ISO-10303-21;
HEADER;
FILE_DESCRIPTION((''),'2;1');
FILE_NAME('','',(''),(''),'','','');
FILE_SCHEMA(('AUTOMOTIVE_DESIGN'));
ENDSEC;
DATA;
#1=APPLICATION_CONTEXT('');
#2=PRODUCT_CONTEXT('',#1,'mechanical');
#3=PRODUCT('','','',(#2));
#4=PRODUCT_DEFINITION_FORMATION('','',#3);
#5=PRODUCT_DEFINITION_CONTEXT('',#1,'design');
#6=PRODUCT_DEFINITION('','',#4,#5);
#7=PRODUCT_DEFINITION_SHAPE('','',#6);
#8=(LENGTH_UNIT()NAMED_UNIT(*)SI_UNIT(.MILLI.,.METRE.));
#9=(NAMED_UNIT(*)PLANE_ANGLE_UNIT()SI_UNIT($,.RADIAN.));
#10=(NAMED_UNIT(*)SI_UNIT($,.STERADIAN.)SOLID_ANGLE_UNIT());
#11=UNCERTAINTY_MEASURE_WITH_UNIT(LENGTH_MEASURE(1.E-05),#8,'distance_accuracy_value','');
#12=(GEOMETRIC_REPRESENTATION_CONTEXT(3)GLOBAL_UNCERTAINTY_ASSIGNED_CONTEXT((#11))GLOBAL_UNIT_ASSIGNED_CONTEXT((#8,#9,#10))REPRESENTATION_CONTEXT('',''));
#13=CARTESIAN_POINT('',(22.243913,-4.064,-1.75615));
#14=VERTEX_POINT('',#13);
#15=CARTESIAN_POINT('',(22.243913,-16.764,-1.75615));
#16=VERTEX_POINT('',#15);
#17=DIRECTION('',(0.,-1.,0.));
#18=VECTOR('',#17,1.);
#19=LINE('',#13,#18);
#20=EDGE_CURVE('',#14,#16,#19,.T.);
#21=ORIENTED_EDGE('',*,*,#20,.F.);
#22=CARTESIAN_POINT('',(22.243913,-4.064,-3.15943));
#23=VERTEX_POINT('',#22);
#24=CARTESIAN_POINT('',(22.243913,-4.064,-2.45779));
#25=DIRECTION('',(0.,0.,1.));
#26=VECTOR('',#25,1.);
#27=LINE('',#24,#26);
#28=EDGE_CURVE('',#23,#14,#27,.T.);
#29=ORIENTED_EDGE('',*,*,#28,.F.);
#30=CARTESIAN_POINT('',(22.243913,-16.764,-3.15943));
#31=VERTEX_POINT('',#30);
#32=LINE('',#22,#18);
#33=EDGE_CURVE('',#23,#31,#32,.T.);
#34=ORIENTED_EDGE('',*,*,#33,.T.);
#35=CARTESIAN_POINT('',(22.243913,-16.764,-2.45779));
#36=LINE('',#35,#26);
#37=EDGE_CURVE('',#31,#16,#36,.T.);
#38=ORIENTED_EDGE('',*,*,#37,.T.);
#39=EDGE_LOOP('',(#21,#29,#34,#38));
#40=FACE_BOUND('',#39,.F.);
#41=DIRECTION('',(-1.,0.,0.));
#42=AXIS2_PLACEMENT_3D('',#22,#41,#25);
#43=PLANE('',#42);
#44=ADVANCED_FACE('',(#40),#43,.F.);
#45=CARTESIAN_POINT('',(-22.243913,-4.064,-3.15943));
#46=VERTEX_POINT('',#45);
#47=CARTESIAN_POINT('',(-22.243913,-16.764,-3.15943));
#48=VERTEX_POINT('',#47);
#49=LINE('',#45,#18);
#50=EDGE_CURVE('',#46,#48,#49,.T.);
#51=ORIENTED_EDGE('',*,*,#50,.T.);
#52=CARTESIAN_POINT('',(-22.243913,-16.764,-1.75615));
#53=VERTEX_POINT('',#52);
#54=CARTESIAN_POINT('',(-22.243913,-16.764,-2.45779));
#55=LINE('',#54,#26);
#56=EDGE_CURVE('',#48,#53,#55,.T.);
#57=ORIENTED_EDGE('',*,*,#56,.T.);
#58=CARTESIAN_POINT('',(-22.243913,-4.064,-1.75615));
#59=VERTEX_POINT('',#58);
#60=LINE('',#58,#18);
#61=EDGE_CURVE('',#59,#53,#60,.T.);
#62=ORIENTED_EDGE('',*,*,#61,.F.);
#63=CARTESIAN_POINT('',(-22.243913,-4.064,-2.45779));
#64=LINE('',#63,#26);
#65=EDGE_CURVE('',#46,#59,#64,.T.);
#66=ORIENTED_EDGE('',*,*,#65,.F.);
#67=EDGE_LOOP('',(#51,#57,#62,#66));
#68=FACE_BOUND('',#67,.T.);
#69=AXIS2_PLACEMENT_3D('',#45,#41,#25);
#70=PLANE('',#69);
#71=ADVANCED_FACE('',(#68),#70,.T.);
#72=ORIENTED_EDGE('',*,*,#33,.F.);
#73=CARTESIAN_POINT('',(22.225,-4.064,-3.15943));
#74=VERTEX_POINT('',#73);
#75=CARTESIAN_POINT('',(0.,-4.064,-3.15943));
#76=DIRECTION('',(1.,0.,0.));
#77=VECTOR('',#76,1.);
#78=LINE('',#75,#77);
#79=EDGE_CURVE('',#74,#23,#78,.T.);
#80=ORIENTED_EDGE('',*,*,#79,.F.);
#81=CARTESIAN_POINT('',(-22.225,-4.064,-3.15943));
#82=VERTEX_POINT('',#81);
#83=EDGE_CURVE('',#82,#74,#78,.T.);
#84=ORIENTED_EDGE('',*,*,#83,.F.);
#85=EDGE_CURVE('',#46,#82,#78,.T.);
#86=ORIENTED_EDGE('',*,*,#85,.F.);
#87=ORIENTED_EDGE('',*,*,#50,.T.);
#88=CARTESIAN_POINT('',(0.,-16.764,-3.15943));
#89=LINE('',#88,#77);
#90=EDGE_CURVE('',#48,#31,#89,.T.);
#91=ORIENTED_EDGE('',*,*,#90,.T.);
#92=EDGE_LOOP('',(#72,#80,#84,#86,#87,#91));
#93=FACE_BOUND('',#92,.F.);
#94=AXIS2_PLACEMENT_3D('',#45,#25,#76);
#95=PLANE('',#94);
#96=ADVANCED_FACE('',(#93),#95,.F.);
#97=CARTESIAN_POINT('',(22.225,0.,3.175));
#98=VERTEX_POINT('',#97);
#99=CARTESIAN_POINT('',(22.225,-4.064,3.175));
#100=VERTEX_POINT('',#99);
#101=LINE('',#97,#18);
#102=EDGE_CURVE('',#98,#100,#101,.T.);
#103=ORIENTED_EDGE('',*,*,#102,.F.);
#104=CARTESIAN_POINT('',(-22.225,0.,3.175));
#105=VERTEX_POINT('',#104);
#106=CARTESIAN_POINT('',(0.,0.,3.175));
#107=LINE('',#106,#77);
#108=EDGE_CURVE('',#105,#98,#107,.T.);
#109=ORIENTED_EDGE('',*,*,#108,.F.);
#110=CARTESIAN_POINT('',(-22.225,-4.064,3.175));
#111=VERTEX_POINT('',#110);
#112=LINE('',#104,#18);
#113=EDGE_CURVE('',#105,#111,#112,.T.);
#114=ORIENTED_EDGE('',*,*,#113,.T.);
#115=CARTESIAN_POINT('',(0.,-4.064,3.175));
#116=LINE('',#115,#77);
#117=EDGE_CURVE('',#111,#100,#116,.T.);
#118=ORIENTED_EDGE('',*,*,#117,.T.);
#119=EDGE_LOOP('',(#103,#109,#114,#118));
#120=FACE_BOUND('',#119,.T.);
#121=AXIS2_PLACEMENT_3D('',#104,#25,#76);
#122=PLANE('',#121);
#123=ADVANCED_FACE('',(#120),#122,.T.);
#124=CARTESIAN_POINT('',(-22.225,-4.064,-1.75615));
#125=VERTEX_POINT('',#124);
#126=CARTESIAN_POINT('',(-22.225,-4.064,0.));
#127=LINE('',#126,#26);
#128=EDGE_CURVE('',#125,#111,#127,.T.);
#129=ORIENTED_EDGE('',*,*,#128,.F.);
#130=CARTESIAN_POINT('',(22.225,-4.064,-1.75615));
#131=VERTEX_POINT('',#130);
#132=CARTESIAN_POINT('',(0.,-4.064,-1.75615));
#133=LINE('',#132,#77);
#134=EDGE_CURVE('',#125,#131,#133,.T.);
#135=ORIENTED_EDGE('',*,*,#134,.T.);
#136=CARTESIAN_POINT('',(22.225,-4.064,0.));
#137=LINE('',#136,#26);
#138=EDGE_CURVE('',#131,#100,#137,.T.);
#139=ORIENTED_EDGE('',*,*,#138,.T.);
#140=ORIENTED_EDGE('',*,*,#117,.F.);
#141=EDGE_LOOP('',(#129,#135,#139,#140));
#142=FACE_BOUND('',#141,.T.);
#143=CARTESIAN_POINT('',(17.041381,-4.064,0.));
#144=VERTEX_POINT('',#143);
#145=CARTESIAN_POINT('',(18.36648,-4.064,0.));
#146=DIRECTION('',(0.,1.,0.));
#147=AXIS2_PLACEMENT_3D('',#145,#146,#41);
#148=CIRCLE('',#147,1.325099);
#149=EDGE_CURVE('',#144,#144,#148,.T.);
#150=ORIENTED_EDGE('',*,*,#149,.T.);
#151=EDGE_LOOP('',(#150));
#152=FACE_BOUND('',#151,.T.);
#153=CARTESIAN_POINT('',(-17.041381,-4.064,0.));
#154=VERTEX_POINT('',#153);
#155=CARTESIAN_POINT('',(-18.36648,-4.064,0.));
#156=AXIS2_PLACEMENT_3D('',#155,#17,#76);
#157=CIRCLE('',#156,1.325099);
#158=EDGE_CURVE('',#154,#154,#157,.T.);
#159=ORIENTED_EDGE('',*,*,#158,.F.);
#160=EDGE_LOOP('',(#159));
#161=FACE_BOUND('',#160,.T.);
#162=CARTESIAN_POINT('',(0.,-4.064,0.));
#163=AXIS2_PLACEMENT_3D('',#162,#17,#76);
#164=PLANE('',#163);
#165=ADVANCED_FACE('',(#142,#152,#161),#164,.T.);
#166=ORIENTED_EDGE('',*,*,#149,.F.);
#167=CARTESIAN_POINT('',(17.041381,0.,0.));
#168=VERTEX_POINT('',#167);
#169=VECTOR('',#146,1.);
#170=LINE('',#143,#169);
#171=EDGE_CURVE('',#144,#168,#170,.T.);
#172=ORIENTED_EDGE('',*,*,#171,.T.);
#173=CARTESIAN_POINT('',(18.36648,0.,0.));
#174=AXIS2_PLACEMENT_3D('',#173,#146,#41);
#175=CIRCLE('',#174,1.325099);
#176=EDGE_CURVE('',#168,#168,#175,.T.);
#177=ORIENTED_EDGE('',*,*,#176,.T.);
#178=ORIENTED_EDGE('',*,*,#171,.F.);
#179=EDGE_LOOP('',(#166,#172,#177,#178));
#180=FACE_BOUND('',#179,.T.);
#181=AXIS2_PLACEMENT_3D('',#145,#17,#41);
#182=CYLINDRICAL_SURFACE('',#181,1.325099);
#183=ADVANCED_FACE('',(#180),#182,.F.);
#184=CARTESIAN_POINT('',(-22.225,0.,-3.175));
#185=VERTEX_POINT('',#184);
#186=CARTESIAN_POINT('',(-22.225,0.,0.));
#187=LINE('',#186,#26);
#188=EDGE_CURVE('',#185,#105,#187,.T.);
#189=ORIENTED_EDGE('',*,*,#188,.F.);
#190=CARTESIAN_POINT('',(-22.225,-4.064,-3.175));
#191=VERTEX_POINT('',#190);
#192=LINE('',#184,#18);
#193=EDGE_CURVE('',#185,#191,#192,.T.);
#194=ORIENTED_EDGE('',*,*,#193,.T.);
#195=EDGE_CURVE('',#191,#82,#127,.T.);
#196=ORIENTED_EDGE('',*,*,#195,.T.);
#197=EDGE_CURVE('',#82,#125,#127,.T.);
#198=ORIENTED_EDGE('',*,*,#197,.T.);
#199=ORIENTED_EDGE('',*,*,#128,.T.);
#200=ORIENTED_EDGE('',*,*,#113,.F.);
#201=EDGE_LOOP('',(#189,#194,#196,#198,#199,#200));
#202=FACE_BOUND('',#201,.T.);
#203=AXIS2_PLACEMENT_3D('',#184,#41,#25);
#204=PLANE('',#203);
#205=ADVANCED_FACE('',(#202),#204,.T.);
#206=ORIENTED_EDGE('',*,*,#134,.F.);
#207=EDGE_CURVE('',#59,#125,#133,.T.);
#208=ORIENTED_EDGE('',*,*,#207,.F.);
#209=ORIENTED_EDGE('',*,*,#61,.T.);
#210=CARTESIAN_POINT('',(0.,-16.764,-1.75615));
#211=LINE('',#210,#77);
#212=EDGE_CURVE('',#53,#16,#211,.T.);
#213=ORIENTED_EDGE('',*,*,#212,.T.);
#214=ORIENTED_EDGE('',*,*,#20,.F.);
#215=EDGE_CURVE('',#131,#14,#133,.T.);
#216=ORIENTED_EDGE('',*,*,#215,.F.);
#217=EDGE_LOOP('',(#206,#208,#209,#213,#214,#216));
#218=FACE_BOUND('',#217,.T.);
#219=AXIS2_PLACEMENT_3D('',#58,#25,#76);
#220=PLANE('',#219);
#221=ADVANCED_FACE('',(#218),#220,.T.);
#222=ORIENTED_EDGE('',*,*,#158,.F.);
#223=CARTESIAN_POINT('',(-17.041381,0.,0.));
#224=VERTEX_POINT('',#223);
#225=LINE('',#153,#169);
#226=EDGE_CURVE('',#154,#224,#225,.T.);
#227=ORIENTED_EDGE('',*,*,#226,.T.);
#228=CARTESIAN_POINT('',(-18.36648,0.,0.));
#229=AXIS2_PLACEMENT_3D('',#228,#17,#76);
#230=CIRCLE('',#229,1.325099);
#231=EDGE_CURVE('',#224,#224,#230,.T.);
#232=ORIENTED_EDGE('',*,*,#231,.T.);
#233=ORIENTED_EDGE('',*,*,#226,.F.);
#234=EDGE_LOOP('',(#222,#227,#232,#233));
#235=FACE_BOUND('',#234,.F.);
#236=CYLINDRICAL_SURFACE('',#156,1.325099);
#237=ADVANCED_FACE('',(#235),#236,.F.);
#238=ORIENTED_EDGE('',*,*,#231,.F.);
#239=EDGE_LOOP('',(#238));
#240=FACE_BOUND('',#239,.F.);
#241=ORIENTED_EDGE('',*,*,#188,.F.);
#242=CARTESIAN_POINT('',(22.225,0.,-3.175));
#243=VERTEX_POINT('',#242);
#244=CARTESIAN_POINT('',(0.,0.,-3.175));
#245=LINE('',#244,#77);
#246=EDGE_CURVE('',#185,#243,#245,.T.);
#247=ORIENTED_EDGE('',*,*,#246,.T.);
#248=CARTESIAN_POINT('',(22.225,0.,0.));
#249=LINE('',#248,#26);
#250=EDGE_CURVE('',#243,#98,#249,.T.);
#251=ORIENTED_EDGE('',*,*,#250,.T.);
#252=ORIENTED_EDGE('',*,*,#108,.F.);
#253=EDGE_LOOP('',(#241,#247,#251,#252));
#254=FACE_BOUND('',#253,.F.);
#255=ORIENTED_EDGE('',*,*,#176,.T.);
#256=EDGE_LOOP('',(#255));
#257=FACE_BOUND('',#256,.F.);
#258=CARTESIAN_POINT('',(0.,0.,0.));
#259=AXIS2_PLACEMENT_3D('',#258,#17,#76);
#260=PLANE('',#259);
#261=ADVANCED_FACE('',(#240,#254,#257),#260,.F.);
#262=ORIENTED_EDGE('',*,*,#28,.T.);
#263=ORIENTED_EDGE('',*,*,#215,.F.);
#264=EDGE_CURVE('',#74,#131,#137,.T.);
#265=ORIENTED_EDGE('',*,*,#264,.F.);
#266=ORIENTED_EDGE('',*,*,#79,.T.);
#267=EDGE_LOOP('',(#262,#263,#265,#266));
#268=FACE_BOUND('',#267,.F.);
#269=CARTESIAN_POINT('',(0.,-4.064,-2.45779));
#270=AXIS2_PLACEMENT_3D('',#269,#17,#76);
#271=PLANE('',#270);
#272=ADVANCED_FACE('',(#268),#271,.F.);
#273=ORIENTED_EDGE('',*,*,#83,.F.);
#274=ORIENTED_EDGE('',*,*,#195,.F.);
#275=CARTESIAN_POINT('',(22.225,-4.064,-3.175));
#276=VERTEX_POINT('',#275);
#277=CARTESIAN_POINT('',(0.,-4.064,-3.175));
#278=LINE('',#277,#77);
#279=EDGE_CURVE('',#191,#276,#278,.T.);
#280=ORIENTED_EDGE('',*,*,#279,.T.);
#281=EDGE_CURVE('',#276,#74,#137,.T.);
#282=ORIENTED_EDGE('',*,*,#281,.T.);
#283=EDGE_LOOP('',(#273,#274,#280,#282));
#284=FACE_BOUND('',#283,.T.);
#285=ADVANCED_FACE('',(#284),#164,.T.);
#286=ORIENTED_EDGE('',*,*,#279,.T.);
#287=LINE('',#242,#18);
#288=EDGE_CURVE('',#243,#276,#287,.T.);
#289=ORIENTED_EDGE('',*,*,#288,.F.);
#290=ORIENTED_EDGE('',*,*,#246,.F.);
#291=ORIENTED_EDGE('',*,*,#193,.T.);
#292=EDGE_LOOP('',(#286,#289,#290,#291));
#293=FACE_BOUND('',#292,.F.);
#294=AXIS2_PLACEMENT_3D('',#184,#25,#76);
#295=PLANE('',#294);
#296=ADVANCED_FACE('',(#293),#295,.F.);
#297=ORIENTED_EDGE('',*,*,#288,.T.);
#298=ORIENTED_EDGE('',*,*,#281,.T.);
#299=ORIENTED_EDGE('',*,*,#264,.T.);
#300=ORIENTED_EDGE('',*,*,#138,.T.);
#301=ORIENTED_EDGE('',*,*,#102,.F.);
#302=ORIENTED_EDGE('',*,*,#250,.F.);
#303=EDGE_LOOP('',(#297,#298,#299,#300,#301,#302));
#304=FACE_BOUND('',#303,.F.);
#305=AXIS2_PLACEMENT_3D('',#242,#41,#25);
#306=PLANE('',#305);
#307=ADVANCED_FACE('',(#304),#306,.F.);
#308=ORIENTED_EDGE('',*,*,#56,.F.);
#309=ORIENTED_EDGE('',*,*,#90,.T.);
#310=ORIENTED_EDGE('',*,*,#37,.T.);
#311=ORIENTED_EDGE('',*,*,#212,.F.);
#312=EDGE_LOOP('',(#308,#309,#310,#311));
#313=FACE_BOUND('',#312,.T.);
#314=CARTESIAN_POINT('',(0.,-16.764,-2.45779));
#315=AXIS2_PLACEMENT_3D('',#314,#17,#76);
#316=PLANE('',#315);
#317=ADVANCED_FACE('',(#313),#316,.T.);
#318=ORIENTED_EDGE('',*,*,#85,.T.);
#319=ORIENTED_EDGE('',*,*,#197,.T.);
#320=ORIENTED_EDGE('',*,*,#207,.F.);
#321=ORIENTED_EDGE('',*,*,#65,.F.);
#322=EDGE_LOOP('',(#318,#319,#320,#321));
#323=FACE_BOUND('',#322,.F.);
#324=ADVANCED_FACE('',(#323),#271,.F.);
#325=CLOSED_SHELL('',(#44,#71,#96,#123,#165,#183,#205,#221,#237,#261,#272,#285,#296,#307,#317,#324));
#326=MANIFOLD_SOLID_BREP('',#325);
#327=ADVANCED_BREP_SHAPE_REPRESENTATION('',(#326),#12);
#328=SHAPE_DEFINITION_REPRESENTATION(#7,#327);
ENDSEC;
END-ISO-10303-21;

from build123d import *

# Parameters (mm, degrees)
F0_W     = 44.45
F0_H     = 6.35
F1_DEPTH = 4.064
F2_R     = 1.325099
F3_DEPTH = 25.4
F5_DEPTH = 25.4
F7_W     = 44.487826
F7_H     = 1.40328
F8_DEPTH = 12.7


with BuildPart() as f1:
    # F0 (on Front) → F1 (new body)
    with BuildSketch(Plane.XZ):
        Rectangle(F0_W, F0_H)
    extrude(amount=F1_DEPTH)

    # F2 (on face) → F3 (cut)
    with BuildSketch(Plane.XZ.offset(4.064)):
        with Locations((-18.36648, 0)):
            Circle(F2_R)
    extrude(amount=-F3_DEPTH, mode=Mode.SUBTRACT)

    # F2 (on face) → F5 (cut)
    with BuildSketch(Plane.XZ.offset(4.064)):
        with Locations((-18.36648, 0)):
            Circle(F2_R)
    extrude(amount=-F5_DEPTH, mode=Mode.SUBTRACT)

    # F6: F1 across plane


with BuildPart() as f1_1:
    add(f1.part)
    add(f1.part.mirror(Plane.YZ), mode=Mode.INTERSECT)

    # F7 (on face) → F8 (join)
    with BuildSketch(Plane.XZ.offset(4.064)):
        with Locations((0, -2.45779)):
            Rectangle(F7_W, F7_H)
    extrude(amount=F8_DEPTH)


solid = f1_1.part
